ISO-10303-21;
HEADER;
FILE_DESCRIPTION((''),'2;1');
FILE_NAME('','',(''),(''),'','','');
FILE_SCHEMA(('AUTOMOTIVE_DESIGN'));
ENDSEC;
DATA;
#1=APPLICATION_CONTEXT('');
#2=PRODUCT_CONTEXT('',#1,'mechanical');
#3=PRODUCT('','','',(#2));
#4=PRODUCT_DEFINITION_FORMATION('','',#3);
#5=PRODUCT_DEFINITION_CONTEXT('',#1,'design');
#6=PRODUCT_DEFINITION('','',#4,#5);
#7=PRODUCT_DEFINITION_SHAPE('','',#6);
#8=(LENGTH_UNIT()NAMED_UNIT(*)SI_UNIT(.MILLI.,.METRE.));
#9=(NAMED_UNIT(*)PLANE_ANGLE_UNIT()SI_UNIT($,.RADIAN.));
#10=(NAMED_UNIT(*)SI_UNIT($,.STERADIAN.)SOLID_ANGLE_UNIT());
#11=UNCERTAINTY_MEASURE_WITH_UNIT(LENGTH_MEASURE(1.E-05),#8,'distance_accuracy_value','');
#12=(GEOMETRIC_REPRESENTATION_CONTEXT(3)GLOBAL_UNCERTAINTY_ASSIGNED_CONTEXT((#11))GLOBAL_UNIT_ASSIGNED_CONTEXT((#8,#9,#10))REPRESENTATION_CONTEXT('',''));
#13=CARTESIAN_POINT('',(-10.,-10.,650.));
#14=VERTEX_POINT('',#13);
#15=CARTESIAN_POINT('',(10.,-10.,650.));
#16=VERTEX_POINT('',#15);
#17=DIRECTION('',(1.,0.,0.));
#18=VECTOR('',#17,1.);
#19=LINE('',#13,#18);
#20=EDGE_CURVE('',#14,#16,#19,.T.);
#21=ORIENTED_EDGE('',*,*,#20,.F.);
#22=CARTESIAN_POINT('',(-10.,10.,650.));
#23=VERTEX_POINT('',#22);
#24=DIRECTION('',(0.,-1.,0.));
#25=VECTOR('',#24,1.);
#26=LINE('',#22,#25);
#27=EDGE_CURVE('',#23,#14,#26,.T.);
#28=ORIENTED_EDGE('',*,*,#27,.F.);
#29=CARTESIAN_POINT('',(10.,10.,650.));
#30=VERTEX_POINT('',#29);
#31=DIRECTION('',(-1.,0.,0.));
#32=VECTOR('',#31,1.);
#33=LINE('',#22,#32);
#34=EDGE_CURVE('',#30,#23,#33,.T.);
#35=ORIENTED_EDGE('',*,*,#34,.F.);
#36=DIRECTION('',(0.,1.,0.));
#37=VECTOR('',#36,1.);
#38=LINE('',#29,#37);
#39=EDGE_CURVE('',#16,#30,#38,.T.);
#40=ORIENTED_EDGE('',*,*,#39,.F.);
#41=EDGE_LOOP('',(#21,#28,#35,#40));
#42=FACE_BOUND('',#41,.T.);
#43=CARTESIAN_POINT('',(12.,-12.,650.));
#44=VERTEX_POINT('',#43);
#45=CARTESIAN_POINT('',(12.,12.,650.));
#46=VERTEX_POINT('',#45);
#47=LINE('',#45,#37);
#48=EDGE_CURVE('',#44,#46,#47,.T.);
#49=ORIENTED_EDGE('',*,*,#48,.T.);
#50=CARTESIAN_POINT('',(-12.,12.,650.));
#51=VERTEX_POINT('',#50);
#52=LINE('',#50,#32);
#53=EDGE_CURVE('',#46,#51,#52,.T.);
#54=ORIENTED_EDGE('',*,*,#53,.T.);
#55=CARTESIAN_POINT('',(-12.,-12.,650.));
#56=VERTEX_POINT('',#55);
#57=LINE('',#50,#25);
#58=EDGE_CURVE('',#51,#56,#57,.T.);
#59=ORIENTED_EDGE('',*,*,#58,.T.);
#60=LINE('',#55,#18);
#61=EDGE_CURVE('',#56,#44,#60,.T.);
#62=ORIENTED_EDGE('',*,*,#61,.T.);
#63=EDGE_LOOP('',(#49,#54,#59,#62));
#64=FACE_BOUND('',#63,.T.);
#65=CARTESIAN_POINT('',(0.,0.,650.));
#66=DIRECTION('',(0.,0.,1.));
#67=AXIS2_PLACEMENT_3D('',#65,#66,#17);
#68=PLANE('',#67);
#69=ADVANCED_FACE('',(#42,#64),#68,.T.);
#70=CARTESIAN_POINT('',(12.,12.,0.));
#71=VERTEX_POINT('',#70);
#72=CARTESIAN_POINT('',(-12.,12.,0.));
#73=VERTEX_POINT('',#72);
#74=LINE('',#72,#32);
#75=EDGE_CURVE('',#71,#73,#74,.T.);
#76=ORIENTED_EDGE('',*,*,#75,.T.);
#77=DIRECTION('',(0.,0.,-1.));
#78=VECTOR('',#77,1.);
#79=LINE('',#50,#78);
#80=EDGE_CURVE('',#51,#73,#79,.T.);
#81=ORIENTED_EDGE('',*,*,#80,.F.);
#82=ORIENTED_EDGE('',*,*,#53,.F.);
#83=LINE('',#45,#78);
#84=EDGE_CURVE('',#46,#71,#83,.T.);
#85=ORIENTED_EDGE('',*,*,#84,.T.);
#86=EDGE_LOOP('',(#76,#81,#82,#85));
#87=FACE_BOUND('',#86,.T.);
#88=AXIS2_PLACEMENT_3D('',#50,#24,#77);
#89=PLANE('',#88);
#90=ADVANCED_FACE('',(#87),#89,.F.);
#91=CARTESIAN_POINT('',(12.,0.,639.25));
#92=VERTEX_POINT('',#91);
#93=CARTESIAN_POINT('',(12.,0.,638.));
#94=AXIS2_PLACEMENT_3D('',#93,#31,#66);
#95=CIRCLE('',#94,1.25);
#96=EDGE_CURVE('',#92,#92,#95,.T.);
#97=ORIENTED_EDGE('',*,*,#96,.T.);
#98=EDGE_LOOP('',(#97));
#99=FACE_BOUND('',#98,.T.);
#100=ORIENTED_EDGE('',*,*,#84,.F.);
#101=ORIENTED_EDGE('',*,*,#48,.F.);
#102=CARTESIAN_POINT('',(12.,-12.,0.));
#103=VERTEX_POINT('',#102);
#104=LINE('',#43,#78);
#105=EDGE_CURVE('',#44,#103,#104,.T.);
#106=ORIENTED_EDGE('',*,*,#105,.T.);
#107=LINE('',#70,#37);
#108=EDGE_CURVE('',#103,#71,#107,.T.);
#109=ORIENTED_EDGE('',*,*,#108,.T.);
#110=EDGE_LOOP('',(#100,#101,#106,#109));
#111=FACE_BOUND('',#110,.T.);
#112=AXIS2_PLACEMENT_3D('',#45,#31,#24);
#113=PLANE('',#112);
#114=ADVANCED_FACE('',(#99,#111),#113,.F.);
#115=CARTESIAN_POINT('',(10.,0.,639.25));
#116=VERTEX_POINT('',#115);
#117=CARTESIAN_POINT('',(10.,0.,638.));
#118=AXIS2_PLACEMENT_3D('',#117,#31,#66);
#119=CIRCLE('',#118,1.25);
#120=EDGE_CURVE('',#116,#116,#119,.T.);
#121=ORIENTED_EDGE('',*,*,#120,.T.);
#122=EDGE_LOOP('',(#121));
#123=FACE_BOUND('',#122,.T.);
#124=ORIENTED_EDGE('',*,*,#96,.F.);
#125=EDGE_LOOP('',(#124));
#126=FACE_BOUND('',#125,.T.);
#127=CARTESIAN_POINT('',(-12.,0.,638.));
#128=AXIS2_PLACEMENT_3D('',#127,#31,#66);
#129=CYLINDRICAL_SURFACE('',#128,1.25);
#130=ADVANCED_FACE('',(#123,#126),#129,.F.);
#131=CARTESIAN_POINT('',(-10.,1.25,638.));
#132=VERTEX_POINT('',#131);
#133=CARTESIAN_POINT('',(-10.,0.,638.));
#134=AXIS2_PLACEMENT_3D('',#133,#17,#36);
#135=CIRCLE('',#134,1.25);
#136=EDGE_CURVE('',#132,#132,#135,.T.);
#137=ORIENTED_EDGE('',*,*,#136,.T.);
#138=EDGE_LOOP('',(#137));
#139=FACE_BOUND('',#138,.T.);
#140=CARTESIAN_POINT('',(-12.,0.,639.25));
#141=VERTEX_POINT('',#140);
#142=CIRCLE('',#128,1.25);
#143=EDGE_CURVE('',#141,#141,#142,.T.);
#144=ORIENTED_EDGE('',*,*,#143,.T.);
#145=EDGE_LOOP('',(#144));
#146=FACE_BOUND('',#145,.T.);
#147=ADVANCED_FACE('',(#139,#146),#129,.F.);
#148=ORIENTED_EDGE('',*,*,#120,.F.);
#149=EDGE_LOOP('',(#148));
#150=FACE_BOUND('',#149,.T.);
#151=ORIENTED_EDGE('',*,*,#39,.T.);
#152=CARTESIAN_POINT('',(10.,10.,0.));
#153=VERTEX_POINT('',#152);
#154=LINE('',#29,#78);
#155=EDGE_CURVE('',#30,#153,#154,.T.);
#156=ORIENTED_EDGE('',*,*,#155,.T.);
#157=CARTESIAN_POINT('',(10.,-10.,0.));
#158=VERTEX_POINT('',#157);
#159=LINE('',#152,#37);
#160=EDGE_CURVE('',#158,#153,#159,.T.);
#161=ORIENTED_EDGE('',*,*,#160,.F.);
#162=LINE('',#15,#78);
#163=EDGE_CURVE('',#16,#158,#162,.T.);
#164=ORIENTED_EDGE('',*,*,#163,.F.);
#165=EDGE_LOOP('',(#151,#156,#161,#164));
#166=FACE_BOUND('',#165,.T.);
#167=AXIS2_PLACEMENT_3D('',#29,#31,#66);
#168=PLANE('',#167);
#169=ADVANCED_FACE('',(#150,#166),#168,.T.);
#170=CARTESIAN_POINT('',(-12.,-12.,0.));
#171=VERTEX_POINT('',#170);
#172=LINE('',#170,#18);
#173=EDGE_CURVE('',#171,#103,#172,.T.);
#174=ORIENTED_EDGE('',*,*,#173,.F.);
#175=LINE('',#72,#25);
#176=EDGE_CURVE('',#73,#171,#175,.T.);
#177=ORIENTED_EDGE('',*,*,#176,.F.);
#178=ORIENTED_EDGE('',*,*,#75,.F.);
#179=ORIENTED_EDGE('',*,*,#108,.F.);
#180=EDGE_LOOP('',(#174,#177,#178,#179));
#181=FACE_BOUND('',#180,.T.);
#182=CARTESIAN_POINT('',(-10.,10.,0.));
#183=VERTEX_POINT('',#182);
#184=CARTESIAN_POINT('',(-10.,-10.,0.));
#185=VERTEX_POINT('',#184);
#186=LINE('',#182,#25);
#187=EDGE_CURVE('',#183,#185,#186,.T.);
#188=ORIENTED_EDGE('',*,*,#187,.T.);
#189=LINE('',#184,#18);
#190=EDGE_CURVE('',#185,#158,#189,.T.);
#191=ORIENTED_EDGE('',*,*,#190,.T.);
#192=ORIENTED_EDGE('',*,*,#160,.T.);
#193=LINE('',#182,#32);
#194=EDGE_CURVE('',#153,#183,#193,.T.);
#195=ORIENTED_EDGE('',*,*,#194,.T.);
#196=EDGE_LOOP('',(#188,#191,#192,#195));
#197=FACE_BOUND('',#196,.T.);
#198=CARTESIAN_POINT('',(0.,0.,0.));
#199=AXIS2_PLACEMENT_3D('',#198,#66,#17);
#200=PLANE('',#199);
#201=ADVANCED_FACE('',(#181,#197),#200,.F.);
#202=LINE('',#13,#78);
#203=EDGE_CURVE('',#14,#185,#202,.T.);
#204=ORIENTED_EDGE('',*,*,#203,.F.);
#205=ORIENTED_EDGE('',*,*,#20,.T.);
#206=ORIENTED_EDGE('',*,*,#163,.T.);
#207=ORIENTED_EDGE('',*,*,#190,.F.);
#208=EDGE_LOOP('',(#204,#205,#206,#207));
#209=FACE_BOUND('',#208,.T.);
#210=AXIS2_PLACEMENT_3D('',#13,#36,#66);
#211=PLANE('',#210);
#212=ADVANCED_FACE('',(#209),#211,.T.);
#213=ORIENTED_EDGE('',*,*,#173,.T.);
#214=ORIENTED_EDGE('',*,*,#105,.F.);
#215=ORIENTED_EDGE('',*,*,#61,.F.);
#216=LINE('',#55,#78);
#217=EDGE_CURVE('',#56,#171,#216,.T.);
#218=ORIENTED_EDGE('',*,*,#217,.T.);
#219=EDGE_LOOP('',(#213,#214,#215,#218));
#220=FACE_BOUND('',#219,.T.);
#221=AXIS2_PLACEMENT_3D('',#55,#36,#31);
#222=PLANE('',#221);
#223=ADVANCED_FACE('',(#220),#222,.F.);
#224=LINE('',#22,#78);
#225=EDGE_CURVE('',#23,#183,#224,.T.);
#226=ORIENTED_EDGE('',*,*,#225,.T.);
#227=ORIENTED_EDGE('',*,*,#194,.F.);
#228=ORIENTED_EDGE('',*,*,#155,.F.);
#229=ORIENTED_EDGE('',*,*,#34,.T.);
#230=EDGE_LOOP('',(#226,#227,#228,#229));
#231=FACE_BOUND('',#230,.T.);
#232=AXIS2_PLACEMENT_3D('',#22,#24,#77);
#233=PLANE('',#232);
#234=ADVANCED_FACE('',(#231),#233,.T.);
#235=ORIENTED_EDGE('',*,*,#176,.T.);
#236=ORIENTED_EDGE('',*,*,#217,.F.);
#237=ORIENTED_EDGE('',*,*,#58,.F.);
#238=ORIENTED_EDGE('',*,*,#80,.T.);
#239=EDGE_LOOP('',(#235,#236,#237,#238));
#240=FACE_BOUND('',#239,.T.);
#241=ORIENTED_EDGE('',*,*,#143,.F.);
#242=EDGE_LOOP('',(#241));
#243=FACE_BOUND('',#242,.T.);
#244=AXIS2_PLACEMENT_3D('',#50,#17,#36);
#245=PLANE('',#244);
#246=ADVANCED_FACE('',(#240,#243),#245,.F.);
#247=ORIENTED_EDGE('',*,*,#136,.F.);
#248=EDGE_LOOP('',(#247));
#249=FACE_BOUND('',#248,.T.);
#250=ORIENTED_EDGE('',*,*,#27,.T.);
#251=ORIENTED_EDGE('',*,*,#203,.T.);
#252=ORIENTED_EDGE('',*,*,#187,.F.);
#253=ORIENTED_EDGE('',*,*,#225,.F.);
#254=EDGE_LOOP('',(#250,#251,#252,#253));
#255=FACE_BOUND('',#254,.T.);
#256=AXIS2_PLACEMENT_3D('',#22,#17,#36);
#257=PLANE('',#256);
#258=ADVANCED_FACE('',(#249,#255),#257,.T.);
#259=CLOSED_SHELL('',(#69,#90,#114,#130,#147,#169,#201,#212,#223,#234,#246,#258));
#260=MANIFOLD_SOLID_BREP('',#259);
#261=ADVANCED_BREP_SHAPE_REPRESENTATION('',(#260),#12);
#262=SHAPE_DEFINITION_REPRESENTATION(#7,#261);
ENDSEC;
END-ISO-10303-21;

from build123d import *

# Parameters (mm, degrees)
SKETCH_1_W         = 24
SKETCH_1_H         = 24
SKETCH_1_W_2       = 20
SKETCH_1_H_2       = 20
EXTRUDE_1_DEPTH    = 650
HOLE_WIZARD_M3_2_D = 2.5


with BuildPart() as part:
    # 草图1 → 凸台-拉伸1 (new body)
    with BuildSketch(Plane.XY):
        Rectangle(SKETCH_1_W, SKETCH_1_H)
        Rectangle(SKETCH_1_W_2, SKETCH_1_H_2, mode=Mode.SUBTRACT)
    extrude(amount=EXTRUDE_1_DEPTH)

    # M3 螺纹孔的螺纹孔钻头2 (through all)
    with Locations(Plane(origin=(-12, 0, 638), x_dir=(0, -1, 0), z_dir=(-1, 0, 0))):
        with Locations((0, 0)):
            Hole(HOLE_WIZARD_M3_2_D / 2)


solid = part.part
